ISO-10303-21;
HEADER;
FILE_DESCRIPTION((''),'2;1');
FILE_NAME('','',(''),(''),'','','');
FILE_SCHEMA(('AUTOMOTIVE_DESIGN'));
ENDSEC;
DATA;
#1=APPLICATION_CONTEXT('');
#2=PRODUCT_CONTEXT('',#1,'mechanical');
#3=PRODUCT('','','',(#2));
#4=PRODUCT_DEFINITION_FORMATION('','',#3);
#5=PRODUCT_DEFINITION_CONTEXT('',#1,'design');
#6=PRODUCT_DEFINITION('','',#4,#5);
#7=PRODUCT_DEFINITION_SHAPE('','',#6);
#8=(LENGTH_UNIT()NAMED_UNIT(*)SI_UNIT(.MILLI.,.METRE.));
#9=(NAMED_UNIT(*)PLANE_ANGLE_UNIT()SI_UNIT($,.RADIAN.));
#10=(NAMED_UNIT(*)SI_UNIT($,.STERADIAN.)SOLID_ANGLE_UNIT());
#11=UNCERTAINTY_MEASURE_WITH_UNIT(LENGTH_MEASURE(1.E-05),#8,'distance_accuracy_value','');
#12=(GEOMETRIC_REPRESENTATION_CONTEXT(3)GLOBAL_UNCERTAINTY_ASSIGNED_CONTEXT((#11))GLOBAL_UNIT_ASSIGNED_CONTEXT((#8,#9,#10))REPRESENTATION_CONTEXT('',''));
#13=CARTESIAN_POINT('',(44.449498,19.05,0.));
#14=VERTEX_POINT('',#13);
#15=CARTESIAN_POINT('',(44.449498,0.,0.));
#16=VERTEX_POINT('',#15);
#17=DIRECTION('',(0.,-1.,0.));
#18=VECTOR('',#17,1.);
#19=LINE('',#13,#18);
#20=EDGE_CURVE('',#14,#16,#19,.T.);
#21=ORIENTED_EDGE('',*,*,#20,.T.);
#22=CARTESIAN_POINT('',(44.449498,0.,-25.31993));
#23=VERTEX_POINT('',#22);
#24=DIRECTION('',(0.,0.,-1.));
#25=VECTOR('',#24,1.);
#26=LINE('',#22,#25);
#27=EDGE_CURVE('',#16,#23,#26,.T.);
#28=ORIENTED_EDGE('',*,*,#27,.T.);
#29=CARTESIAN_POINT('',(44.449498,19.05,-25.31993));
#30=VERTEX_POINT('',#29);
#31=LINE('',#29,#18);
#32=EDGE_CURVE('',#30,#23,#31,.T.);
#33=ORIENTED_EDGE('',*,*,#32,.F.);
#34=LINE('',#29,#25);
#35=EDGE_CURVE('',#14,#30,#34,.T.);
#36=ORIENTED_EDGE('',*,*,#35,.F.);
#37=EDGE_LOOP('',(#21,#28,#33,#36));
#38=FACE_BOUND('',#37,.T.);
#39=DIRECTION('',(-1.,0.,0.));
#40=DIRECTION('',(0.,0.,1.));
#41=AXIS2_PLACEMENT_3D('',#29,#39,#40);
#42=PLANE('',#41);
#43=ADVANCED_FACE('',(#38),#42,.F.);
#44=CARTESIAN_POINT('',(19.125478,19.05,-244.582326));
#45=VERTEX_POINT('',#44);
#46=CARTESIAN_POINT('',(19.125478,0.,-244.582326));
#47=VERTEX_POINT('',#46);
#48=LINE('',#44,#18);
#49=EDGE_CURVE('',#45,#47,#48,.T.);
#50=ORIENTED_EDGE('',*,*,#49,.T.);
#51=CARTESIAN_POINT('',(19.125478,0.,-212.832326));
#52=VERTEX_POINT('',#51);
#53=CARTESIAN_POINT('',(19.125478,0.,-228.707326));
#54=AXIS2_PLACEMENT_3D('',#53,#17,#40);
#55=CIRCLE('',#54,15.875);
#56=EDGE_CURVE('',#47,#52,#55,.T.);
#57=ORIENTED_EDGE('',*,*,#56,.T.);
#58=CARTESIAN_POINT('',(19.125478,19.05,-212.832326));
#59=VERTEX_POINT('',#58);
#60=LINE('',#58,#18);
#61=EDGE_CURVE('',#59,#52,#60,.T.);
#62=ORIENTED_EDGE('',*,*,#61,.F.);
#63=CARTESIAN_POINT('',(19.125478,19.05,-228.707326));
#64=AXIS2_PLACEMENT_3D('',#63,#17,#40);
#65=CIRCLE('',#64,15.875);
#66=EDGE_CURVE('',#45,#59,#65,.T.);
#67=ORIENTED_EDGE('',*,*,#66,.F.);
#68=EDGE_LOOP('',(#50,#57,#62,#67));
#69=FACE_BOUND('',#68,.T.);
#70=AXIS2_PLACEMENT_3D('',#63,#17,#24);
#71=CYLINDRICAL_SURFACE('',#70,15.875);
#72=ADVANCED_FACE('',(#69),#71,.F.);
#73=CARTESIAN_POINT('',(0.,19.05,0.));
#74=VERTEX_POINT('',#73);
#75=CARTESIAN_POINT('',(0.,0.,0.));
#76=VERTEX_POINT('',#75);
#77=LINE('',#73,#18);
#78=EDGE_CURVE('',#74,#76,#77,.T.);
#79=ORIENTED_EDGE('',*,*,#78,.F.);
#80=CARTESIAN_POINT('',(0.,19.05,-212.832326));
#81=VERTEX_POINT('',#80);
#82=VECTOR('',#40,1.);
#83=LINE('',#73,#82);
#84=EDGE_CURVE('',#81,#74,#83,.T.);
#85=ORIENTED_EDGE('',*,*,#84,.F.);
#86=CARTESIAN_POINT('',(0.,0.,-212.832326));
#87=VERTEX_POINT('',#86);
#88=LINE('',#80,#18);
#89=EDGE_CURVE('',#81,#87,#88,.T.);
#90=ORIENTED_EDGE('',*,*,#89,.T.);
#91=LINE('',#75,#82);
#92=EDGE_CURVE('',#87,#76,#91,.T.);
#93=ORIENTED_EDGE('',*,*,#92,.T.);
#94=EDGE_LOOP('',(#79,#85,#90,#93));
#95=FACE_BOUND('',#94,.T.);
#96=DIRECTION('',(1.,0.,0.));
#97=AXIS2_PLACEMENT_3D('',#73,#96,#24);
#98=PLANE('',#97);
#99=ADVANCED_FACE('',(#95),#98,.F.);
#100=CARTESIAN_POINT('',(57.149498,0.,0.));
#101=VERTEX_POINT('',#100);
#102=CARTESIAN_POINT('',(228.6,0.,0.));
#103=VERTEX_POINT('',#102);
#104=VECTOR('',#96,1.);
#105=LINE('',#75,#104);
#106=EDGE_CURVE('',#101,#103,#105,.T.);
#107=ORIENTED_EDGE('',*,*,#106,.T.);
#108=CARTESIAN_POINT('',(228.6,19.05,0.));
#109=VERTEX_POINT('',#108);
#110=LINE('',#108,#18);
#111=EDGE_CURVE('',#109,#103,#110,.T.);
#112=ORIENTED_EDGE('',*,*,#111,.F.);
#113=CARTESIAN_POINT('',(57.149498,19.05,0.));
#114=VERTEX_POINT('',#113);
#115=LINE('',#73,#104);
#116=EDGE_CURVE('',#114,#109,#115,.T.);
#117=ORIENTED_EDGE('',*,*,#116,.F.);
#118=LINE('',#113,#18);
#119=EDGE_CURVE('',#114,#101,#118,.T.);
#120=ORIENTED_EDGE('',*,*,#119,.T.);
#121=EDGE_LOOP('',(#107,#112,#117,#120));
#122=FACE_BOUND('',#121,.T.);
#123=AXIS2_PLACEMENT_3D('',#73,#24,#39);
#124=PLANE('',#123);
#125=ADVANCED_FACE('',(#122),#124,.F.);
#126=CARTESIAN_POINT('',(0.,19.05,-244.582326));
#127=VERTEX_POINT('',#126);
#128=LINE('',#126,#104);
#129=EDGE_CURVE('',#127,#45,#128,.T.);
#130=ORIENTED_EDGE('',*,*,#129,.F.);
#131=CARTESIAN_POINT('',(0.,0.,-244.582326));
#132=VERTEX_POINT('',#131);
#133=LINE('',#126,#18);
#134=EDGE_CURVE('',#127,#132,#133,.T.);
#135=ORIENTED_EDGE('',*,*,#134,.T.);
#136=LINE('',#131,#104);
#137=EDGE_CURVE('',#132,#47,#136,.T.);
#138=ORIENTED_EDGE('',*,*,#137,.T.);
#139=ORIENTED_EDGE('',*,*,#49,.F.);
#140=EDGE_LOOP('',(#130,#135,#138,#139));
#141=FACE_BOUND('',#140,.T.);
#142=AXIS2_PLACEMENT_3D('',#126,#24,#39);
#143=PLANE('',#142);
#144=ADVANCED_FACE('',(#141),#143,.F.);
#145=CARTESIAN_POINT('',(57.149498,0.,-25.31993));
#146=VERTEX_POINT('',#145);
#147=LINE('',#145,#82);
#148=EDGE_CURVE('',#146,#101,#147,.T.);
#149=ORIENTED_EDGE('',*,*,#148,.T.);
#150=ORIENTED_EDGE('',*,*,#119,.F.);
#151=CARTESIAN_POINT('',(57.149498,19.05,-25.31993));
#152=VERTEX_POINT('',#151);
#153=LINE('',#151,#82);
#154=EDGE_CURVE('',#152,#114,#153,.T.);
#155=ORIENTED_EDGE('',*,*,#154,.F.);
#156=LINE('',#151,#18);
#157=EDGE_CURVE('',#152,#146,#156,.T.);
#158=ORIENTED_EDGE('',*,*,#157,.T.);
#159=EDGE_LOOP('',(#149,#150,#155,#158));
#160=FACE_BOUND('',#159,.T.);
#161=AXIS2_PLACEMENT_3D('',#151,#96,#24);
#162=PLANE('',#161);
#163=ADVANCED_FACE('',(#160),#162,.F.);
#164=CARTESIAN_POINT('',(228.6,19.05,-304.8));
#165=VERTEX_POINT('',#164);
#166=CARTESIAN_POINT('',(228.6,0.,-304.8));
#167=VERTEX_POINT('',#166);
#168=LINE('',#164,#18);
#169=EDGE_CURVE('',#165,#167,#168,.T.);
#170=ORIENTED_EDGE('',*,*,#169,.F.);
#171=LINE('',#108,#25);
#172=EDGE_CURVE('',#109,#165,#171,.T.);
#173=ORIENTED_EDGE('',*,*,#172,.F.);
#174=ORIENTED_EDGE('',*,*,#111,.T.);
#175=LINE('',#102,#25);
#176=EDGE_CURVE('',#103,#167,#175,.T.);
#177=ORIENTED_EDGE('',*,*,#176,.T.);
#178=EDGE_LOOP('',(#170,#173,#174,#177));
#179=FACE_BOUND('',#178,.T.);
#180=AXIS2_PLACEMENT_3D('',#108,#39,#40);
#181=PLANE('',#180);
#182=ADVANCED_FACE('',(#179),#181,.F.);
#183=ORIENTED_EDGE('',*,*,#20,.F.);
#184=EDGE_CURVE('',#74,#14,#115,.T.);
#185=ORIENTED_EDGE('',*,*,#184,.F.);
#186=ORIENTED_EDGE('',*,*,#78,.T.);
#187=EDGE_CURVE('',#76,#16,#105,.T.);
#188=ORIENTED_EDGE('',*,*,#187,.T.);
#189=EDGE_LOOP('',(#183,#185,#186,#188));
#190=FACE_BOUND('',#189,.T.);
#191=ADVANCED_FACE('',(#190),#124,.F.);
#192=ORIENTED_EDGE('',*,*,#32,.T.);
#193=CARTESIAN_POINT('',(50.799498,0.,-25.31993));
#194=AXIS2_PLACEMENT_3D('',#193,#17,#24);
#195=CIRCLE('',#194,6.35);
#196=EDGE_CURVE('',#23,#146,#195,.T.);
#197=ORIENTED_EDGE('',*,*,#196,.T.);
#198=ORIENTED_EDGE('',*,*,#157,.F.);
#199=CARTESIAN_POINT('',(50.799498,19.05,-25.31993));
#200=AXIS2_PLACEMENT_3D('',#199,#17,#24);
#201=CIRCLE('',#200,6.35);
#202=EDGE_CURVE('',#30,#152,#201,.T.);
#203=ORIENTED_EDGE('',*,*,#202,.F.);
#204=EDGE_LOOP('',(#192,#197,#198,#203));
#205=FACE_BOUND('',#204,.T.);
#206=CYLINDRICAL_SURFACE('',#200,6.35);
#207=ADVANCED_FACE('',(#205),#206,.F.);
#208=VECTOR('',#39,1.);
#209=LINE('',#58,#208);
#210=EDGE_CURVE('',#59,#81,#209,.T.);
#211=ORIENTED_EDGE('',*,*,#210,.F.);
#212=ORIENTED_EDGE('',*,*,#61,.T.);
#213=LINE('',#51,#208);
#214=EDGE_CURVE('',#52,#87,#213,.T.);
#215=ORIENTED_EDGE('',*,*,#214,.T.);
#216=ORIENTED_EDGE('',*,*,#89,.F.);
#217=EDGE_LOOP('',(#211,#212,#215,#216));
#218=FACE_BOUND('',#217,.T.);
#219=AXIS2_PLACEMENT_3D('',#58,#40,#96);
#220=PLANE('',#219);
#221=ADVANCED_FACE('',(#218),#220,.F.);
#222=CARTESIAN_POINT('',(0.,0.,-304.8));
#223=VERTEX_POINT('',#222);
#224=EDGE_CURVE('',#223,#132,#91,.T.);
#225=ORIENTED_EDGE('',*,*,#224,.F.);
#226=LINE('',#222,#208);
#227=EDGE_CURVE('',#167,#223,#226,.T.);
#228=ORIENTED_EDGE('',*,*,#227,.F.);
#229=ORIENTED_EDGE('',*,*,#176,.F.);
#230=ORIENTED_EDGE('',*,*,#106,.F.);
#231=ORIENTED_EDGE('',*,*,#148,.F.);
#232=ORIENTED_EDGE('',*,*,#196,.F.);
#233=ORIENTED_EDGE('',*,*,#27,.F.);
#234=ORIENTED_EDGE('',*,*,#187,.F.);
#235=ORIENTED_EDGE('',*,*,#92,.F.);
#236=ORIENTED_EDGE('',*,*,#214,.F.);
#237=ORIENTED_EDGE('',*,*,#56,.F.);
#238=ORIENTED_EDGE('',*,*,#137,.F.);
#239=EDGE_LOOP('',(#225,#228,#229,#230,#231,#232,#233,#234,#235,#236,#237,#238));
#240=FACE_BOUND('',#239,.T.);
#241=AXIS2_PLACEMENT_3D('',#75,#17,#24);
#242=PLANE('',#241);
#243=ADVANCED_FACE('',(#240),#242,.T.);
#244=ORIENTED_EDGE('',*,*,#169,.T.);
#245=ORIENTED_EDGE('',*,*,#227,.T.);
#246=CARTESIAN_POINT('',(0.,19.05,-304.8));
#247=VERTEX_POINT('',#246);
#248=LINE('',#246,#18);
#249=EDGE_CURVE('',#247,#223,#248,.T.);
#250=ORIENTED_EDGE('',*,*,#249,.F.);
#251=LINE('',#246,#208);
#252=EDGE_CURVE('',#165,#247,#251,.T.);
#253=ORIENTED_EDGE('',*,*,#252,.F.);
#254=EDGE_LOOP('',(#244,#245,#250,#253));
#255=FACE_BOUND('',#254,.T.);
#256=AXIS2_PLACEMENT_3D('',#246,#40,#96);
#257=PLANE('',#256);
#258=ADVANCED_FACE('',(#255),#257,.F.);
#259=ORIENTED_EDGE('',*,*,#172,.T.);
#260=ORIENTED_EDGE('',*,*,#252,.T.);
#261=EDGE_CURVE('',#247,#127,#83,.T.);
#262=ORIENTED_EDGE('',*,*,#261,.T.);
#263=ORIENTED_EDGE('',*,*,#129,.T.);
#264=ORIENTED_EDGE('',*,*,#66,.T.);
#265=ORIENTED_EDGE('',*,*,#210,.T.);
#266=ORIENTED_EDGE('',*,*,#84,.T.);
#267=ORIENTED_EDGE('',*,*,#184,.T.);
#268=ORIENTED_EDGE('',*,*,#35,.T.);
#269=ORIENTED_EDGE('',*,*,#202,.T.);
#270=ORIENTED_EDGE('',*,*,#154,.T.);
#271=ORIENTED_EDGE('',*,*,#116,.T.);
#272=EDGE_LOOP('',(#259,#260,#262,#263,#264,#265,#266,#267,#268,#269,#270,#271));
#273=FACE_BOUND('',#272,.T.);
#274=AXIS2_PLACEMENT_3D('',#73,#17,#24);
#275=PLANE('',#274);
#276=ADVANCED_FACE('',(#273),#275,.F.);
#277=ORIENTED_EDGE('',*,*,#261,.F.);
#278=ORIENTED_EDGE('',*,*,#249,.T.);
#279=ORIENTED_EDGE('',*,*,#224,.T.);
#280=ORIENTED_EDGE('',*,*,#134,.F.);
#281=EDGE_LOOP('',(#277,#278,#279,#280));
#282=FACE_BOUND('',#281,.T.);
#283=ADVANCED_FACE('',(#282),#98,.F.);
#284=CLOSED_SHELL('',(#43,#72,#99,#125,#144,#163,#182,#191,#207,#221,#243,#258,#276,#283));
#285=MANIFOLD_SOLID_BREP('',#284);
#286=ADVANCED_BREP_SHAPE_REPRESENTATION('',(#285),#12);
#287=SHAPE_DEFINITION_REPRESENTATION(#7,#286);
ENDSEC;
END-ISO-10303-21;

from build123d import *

# Parameters (mm, degrees)
SKETCH1_W           = 228.6
SKETCH1_H           = 304.8
BOSS_EXTRUDE2_DEPTH = 19.05
CUT_EXTRUDE1_DEPTH  = 19.05


with BuildPart() as part:
    # Sketch1 → Boss-Extrude2 (new body)
    with BuildSketch(Plane(origin=(0, 0, 0), x_dir=(1, 0, 0), z_dir=(0, 1, 0))):
        with Locations((114.3, 152.4)):
            Rectangle(SKETCH1_W, SKETCH1_H)
    extrude(amount=BOSS_EXTRUDE2_DEPTH)

    # Sketch3 → Cut-Extrude1 (cut)
    with BuildSketch(Plane.XZ):
        with BuildLine():
            Line((19.125478143, -212.832325894), (0, -212.832325894))
            Line((0, -212.832325894), (0, -244.582325894))
            Line((0, -244.582325894), (19.125478143, -244.582325894))
            ThreePointArc((19.125478143, -244.582325894), (30.350798294, -239.932646046), (35.000478143, -228.707325894))
            ThreePointArc((35.000478143, -228.707325894), (30.350798294, -217.482005743), (19.125478143, -212.832325894))
        make_face()
        with BuildLine():
            Line((44.449497967, -25.319930082), (44.449497967, 0))
            Line((44.449497967, 0), (57.149497967, 0))
            Line((57.149497967, 0), (57.149497967, -25.319930082))
            ThreePointArc((57.149497967, -25.319930082), (55.289626028, -29.810058143), (50.799497967, -31.669930082))
            ThreePointArc((50.799497967, -31.669930082), (46.309369907, -29.810058143), (44.449497967, -25.319930082))
        make_face()
    extrude(amount=-CUT_EXTRUDE1_DEPTH, mode=Mode.SUBTRACT)


solid = part.part
